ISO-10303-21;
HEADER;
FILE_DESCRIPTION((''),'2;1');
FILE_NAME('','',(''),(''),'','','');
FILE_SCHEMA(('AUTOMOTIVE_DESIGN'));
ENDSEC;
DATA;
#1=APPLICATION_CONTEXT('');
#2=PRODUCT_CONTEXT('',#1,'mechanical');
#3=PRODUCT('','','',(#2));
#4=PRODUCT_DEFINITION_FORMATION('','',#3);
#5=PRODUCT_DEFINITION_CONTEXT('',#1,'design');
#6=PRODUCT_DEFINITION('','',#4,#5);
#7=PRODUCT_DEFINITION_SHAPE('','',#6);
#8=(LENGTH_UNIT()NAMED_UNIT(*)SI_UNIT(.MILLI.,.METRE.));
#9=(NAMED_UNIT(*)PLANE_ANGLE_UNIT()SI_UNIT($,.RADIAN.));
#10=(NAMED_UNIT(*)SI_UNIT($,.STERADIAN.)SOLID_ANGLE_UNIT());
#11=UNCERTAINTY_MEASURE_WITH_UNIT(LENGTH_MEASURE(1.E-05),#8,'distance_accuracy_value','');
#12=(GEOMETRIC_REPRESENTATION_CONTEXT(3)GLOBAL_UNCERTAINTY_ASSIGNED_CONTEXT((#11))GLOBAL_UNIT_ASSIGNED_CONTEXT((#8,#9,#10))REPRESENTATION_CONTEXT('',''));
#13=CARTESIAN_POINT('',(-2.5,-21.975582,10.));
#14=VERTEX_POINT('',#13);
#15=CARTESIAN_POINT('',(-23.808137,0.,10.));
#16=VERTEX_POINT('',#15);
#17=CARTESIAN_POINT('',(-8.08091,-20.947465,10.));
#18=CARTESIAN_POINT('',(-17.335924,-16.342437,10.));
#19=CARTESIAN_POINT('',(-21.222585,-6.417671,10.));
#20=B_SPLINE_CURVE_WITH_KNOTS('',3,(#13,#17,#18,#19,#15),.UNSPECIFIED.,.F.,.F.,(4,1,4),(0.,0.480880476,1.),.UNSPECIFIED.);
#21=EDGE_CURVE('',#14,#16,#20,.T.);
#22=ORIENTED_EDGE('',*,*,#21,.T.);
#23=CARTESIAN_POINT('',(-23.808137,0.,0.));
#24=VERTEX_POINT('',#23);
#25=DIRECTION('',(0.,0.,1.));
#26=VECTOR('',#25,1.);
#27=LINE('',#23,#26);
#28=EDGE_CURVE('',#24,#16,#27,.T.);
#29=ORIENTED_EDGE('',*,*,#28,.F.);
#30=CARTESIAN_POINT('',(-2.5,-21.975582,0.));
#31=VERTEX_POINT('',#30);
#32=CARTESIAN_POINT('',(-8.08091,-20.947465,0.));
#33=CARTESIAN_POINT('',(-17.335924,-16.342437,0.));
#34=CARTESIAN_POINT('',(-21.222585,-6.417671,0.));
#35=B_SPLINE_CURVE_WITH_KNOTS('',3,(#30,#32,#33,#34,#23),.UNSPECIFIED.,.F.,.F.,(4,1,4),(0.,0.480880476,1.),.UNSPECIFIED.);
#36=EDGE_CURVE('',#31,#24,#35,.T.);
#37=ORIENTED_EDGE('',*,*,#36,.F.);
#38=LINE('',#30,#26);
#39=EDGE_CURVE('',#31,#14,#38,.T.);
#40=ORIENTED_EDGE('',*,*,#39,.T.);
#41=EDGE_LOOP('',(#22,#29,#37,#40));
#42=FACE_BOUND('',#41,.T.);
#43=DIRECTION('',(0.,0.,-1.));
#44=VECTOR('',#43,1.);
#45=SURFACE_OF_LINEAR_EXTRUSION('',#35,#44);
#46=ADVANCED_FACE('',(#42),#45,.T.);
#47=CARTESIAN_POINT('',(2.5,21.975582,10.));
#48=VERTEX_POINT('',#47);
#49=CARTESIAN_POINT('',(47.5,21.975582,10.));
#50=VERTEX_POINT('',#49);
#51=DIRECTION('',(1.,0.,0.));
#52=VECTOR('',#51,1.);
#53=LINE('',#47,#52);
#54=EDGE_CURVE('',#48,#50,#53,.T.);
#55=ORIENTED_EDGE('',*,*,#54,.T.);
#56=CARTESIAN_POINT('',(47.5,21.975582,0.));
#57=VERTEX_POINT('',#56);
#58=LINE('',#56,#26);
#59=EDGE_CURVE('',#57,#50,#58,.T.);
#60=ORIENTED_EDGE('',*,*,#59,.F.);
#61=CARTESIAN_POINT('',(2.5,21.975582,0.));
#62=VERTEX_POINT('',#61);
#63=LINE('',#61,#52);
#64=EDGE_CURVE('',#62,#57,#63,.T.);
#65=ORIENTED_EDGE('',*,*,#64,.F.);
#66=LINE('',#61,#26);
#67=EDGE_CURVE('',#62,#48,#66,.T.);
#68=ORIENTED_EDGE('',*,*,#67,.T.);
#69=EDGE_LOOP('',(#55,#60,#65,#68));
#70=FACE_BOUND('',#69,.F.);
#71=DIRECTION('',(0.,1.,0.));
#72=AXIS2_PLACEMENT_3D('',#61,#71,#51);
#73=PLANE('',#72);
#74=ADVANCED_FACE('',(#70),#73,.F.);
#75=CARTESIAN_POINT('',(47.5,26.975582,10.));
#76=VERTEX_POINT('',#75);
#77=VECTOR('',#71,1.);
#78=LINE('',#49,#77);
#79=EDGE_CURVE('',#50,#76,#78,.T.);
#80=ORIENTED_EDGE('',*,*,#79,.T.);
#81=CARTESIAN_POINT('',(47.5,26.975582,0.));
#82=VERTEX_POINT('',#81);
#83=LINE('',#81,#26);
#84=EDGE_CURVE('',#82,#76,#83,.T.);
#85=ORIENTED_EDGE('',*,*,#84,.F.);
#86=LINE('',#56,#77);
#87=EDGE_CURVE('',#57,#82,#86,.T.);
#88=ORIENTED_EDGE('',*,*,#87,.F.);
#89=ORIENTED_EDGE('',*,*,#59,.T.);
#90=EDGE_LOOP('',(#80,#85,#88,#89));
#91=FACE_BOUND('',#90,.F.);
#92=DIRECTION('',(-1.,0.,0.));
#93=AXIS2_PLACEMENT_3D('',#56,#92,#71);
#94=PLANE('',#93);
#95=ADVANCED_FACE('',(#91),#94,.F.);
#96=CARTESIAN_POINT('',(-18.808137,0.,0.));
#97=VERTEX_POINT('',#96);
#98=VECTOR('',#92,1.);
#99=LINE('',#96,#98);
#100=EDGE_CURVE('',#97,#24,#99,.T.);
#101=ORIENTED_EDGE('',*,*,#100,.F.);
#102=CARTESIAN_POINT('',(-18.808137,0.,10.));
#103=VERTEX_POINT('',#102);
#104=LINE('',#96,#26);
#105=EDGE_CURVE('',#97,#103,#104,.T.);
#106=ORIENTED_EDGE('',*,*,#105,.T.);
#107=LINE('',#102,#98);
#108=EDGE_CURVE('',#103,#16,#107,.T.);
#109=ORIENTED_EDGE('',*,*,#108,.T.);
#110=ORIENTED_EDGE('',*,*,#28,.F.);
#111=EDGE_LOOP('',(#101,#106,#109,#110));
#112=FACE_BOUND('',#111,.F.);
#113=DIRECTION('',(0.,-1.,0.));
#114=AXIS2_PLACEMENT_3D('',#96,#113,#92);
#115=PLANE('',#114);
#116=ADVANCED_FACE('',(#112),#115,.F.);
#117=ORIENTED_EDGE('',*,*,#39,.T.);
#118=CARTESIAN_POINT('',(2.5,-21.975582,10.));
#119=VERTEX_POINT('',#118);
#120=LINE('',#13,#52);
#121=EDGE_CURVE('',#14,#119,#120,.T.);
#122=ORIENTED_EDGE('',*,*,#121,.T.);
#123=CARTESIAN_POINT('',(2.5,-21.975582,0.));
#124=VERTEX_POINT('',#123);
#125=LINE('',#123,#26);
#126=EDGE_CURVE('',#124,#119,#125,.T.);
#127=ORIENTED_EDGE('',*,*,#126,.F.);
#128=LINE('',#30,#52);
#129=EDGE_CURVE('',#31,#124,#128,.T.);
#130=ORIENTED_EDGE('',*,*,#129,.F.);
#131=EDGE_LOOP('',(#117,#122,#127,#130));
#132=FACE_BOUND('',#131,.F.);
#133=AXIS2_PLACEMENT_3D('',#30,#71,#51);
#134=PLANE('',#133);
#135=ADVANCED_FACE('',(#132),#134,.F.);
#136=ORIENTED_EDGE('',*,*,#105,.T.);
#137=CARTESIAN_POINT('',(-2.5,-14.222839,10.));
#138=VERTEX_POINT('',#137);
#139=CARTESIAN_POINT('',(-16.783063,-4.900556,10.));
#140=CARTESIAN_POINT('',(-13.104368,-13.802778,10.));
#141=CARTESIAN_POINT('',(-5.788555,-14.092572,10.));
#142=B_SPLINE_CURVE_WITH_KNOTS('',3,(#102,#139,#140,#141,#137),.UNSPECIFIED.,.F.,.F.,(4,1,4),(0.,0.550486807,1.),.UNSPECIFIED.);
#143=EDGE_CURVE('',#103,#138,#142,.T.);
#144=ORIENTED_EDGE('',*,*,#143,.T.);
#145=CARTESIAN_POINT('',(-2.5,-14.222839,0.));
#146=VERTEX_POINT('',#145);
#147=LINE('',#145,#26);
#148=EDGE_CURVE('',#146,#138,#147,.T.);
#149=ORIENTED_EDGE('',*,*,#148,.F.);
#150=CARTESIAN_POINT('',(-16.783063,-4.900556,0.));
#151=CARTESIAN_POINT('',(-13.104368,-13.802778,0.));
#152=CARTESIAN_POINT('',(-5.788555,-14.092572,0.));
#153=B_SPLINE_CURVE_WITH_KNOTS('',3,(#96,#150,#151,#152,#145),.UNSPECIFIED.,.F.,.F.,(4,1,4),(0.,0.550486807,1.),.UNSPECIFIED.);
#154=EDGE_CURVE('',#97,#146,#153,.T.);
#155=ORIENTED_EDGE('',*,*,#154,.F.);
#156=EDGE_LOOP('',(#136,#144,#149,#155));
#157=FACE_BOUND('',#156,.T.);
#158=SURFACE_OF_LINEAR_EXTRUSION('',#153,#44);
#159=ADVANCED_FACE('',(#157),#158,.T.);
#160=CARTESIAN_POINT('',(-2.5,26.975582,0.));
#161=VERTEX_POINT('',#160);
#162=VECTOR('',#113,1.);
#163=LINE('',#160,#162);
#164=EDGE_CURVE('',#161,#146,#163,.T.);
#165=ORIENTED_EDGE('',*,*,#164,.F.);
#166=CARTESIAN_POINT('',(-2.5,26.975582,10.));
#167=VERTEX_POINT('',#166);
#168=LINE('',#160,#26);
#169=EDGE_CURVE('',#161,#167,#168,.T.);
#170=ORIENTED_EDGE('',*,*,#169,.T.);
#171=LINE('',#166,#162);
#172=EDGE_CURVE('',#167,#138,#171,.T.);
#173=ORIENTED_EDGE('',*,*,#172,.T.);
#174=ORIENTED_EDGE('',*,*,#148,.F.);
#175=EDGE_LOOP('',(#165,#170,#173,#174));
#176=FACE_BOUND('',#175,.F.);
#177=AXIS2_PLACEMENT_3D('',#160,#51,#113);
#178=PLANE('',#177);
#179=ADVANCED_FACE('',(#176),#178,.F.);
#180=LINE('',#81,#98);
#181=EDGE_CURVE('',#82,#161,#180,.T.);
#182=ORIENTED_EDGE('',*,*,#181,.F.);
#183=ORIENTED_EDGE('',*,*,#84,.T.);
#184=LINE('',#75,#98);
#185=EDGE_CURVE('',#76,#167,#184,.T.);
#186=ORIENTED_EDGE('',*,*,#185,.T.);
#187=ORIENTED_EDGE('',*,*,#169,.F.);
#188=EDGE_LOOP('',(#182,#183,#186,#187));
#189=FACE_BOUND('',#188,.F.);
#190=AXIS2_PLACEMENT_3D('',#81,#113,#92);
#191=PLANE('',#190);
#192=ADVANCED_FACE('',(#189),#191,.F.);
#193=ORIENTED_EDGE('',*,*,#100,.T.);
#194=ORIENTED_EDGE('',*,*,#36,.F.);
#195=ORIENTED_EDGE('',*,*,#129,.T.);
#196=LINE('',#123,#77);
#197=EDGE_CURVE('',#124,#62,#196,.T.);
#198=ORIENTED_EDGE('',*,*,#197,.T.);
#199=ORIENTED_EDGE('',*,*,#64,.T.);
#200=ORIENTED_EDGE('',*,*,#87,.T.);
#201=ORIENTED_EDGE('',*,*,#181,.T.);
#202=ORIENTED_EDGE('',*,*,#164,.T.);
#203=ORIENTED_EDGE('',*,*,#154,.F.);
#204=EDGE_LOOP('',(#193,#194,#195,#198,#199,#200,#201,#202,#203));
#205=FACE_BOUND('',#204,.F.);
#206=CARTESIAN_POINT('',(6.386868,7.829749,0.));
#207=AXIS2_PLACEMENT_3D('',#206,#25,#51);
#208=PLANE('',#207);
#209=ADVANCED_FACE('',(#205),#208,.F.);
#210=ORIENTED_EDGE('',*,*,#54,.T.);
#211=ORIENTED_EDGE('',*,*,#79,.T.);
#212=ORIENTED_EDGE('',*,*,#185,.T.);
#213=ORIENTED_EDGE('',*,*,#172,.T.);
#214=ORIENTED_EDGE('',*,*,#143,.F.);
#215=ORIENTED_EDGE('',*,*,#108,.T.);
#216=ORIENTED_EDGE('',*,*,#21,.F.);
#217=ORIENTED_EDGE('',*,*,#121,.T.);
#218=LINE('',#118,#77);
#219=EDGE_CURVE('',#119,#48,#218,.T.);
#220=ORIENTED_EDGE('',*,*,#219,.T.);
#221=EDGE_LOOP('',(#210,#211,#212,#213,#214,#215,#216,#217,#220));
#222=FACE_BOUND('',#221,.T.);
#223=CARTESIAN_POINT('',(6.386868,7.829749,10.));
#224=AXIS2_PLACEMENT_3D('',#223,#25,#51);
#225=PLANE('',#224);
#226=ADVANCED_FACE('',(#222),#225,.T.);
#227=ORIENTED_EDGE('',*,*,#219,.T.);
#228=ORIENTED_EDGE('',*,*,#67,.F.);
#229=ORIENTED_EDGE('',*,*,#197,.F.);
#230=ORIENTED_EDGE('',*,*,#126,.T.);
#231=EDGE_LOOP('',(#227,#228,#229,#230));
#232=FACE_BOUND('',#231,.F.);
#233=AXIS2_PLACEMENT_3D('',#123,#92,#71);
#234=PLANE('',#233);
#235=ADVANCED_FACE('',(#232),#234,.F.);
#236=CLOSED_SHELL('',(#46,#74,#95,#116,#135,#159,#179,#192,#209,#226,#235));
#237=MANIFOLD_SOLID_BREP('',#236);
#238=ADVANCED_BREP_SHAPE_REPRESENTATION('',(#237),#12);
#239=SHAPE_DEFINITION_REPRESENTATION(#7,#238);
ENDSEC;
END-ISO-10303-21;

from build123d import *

# Parameters (mm, degrees)
F1_DEPTH = 10


with BuildPart() as f1:
    # F0 (on Top) → F1 (new body)
    with BuildSketch(Plane.XY):
        with BuildLine():
            Line((-2.5, -21.9755824495), (2.5, -21.9755824495))
            Line((2.5, -21.9755824495), (2.5, 21.9755824495))
            Line((2.5, 21.9755824495), (47.5, 21.9755824495))
            Line((47.5, 21.9755824495), (47.5, 26.9755824495))
            Line((47.5, 26.9755824495), (-2.5, 26.9755824495))
            Line((-2.5, 26.9755824495), (-2.5, 21.9755824495))
            Line((-2.5, 21.9755824495), (-2.5, -14.2228389159))
            add(Edge.make_bspline(
                [(-18.8081365824, 0), (-16.7830632678, -4.900555724), (-13.1043678113, -13.8027776567), (-5.7885545713, -14.0925723692), (-2.5, -14.2228389159)],
                knots=[0, 0, 0, 0, 0.5504868067, 1, 1, 1, 1], degree=3))
            Line((-18.8081365824, 0), (-23.8081365824, 0))
            add(Edge.make_bspline(
                [(-2.5, -21.9755824495), (-8.0809096282, -20.9474647123), (-17.3359240555, -16.3424369165), (-21.2225849489, -6.4176707959), (-23.8081365824, 0)],
                knots=[0, 0, 0, 0, 0.4808804759, 1, 1, 1, 1], degree=3))
        make_face()
    extrude(amount=F1_DEPTH)


solid = f1.part
